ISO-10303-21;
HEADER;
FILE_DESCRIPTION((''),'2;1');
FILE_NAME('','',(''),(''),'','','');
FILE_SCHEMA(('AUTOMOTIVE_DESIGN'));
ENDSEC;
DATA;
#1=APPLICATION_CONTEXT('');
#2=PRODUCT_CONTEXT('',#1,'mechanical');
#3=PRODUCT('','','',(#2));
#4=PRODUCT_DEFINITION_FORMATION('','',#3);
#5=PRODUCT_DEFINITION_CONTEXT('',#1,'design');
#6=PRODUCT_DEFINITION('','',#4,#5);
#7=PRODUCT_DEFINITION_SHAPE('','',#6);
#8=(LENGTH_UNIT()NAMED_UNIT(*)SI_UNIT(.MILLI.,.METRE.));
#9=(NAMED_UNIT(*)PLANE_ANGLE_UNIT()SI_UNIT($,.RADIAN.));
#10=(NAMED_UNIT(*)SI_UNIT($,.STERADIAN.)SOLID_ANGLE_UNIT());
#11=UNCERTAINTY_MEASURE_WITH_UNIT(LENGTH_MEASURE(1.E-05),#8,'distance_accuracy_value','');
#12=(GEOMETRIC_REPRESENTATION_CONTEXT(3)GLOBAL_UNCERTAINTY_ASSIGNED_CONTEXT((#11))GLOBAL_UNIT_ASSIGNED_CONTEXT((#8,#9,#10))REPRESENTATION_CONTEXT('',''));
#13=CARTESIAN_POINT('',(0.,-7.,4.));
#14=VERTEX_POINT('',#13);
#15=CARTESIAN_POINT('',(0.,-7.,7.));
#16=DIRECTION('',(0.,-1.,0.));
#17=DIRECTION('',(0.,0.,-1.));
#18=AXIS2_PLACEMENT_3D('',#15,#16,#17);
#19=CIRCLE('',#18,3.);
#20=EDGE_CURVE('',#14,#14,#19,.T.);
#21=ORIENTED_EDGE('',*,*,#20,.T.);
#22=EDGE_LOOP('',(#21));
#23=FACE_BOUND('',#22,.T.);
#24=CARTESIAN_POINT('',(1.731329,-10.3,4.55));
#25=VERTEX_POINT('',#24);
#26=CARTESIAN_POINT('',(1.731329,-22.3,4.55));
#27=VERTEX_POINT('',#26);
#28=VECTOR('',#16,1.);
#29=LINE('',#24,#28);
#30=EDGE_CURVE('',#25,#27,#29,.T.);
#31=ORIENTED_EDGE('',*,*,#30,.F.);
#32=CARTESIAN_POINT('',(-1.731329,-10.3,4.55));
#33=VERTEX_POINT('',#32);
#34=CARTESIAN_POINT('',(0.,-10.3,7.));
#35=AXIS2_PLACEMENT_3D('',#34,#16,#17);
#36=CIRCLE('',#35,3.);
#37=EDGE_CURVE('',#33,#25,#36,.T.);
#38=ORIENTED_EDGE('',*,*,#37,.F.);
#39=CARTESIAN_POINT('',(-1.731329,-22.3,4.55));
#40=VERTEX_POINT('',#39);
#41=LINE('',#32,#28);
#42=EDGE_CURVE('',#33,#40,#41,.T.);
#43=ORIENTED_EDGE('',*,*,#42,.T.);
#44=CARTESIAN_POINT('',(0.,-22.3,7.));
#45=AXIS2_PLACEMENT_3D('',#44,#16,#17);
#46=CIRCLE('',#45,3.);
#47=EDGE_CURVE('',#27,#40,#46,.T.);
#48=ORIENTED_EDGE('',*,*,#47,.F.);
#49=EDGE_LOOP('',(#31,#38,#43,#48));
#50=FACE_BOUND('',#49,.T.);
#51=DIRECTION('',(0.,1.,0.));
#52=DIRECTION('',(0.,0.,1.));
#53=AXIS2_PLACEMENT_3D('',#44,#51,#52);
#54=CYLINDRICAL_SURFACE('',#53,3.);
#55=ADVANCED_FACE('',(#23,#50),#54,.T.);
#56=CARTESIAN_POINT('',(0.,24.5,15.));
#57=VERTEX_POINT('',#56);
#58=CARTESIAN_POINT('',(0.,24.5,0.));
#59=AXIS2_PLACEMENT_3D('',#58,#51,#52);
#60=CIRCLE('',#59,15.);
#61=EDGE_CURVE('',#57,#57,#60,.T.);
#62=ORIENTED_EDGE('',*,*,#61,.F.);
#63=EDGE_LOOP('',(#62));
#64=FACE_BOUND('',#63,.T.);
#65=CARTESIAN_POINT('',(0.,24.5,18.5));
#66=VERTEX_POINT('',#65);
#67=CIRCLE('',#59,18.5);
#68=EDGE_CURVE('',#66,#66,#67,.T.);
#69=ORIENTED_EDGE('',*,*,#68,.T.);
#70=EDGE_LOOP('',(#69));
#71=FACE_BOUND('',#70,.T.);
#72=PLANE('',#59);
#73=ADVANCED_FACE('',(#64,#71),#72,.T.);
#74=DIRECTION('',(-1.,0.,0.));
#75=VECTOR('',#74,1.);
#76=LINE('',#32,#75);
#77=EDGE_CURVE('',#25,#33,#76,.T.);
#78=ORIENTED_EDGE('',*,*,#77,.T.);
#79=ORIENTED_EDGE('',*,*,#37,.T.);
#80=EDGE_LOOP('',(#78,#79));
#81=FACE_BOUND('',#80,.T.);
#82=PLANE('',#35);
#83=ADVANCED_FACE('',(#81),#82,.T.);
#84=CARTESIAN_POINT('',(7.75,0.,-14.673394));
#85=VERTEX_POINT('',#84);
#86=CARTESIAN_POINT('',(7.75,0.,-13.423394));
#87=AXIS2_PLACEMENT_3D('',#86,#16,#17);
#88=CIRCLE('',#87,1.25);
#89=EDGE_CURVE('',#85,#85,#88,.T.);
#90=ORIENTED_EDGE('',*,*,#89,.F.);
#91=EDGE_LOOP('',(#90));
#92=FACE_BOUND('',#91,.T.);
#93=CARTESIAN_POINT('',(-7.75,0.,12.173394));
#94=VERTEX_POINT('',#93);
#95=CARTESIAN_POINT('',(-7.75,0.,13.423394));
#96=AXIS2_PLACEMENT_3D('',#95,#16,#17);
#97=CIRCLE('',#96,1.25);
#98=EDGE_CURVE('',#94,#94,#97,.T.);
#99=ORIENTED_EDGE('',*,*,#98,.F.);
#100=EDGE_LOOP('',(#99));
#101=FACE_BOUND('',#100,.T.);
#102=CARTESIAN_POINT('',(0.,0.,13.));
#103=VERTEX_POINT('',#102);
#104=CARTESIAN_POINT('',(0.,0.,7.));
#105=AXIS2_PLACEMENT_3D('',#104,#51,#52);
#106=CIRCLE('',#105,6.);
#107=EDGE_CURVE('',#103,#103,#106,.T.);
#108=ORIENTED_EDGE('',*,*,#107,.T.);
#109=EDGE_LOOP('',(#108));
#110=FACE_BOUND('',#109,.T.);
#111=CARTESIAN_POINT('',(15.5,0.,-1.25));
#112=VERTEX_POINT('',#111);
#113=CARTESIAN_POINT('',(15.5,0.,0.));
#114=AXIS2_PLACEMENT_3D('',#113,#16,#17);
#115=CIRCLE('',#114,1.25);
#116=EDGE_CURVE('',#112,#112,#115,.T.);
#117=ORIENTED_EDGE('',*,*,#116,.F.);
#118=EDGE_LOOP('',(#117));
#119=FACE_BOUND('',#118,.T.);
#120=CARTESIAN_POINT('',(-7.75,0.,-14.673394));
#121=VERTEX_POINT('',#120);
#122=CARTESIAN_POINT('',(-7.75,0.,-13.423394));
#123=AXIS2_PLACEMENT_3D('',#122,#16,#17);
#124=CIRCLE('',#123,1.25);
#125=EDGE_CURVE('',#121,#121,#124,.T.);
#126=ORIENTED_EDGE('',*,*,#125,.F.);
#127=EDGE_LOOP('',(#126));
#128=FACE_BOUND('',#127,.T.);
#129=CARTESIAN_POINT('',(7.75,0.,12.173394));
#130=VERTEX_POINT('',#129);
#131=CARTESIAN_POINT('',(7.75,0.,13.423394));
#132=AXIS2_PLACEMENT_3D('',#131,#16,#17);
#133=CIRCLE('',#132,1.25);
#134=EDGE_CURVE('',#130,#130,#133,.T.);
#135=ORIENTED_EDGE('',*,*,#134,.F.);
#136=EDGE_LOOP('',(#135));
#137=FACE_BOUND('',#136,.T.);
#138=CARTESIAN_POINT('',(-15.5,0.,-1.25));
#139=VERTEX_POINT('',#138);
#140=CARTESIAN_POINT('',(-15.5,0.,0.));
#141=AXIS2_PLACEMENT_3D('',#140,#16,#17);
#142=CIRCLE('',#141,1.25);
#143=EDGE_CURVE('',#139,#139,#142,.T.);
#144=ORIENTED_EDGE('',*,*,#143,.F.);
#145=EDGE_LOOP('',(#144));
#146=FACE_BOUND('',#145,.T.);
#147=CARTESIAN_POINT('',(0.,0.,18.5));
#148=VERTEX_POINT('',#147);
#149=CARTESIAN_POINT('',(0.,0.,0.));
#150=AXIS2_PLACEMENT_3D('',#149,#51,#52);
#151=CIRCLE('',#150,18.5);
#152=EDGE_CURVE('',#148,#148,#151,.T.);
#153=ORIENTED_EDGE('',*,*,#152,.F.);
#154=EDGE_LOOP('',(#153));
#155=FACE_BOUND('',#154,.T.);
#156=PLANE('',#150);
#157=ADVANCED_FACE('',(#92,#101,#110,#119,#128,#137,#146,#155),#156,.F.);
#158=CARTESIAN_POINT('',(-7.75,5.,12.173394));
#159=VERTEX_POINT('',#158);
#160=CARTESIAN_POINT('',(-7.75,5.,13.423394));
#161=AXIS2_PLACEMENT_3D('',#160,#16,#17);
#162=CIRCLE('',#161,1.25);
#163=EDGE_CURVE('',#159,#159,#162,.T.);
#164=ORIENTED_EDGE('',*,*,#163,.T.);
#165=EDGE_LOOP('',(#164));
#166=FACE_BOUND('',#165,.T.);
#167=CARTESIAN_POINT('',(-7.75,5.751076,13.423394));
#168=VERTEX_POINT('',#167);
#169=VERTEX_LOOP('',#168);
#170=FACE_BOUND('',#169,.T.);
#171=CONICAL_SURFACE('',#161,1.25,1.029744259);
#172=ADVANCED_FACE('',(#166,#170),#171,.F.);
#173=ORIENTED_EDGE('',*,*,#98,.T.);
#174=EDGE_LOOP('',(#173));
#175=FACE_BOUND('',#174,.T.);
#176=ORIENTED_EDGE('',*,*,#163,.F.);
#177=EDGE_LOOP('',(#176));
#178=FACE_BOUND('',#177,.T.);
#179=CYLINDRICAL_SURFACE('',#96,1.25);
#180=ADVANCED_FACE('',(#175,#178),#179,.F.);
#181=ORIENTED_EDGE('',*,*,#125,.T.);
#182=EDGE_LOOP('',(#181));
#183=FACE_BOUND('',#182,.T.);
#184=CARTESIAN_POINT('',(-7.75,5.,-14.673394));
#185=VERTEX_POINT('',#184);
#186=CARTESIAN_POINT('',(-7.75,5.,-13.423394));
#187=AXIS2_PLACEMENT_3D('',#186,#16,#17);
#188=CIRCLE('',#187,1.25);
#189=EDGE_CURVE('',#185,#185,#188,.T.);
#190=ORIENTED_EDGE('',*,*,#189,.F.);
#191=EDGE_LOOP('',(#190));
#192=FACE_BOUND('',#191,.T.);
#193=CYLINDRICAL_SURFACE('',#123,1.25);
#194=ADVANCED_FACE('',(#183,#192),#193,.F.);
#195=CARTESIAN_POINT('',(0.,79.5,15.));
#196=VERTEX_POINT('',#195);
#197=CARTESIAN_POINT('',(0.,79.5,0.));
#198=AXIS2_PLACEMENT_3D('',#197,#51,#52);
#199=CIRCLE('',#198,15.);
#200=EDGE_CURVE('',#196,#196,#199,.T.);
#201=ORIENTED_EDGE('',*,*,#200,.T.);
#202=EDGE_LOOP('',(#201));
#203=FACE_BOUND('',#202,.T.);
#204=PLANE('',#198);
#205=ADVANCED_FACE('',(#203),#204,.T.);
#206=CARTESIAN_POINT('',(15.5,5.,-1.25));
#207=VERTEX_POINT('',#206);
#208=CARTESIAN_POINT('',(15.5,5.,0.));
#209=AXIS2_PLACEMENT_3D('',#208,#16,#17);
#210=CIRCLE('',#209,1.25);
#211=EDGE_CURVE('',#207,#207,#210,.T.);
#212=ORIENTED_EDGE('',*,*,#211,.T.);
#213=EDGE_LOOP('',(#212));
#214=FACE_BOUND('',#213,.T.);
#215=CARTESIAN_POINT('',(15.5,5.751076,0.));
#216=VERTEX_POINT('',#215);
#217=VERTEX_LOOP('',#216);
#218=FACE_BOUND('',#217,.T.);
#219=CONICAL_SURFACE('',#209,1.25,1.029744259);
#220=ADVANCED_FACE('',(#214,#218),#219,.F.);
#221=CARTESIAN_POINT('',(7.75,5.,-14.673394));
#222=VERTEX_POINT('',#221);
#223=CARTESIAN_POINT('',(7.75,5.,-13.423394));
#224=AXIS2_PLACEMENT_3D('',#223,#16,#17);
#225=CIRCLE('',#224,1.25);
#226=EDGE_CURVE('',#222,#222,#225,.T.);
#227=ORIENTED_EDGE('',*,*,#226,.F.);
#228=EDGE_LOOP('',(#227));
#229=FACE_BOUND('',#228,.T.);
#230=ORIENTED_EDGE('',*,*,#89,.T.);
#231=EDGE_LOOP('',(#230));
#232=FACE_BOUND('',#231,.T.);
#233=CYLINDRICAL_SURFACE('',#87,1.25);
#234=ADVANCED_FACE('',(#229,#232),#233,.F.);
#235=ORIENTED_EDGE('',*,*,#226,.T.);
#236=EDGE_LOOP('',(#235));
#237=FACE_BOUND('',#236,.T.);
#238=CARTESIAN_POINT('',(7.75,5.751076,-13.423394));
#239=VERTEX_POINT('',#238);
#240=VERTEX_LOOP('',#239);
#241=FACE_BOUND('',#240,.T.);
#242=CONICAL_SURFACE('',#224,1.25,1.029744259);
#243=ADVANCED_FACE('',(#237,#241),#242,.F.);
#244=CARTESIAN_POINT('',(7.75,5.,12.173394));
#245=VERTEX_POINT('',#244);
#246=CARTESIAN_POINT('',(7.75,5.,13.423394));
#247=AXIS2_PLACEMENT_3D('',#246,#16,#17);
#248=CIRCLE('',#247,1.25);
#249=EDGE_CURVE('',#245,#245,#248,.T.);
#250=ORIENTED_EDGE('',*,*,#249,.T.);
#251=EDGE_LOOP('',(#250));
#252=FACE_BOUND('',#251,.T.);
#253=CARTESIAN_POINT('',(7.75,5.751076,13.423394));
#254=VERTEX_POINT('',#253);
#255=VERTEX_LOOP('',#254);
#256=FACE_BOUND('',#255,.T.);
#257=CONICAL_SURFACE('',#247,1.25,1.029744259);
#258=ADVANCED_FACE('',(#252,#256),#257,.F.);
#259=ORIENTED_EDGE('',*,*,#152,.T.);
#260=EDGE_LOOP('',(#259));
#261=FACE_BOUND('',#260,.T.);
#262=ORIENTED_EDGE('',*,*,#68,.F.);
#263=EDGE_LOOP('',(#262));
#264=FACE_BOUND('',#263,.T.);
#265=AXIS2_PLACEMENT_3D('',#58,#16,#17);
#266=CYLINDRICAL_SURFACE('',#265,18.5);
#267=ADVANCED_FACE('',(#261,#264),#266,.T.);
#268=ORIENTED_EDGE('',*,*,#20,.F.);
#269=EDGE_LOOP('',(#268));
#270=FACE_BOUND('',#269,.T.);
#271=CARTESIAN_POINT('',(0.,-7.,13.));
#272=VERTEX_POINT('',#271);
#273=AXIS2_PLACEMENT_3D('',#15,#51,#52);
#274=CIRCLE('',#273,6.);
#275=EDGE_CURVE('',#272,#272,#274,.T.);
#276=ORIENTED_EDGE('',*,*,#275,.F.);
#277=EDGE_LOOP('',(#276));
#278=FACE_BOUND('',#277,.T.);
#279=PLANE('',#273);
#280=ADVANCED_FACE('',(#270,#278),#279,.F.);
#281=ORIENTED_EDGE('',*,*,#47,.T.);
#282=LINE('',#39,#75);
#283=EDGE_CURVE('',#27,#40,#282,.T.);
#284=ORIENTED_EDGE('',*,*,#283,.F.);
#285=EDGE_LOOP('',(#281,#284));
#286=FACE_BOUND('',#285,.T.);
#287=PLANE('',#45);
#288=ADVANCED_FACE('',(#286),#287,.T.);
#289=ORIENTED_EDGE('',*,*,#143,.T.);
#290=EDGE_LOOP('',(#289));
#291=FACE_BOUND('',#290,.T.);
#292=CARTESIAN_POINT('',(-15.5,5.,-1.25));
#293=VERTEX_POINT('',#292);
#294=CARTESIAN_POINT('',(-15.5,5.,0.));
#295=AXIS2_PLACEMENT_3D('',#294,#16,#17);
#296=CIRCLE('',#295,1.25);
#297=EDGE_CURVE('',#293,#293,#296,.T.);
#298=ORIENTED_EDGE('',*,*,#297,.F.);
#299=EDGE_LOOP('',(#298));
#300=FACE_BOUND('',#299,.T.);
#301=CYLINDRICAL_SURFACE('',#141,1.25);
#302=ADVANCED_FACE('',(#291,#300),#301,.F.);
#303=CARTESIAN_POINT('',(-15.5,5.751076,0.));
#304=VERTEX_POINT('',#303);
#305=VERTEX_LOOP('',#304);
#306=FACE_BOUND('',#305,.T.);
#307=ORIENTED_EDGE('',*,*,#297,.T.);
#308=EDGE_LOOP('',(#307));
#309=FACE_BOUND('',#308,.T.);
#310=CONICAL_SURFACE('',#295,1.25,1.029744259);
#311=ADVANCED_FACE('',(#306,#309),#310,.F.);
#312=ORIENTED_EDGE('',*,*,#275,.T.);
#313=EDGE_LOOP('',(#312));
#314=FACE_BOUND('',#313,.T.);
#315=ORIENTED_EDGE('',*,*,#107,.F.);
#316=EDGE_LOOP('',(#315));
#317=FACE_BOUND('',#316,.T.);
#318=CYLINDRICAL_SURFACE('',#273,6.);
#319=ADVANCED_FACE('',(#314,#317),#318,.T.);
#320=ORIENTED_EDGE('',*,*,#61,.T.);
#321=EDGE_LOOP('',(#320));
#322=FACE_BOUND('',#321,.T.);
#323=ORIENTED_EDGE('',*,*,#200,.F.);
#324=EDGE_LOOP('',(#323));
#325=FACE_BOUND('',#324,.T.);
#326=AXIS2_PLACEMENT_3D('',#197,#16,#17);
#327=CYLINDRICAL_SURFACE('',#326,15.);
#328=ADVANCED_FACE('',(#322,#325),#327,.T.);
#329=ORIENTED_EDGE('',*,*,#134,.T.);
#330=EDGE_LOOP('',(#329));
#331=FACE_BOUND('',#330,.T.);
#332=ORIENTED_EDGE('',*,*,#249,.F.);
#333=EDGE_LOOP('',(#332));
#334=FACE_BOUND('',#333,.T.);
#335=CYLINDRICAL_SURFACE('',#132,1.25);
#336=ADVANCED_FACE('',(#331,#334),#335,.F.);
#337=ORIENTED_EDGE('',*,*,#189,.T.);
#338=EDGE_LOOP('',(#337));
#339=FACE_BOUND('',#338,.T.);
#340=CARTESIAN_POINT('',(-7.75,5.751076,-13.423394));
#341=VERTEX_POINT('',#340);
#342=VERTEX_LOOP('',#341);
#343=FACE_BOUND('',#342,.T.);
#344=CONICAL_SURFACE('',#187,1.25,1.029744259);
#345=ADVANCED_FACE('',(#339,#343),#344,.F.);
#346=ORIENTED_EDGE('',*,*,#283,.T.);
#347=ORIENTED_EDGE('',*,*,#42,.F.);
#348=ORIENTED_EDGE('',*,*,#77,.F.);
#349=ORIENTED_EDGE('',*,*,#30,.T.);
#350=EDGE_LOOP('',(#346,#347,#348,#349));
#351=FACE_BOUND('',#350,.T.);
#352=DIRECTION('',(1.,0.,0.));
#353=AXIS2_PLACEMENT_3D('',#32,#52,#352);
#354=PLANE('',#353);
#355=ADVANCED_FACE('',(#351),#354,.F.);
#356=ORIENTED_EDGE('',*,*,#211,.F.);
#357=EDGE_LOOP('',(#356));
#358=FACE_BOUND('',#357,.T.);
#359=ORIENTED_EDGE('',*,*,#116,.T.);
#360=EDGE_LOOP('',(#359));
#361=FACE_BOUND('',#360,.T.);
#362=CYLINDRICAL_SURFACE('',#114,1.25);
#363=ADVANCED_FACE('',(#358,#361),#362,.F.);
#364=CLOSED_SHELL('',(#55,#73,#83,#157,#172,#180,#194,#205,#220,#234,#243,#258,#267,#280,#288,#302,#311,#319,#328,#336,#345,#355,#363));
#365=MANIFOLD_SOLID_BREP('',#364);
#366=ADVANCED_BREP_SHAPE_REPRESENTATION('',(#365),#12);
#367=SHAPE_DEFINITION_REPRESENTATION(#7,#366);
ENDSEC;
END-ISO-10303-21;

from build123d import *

# Parameters (mm, degrees)
ESQUISSE1_R                  = 18.5
BOSS_EXTRU_1_DEPTH           = 24.5
ESQUISSE2_R                  = 15
BOSS_EXTRU_2_DEPTH           = 55
ESQUISSE3_R                  = 6
BOSS_EXTRU_3_DEPTH           = 7
ESQUISSE4_R                  = 3
BOSS_EXTRU_4_DEPTH           = 15.3
ENL_V_START                  = -12
ENL_V_MAT_EXTRU_1_DEPTH      = 12
R_P_TITION_CIRCULAIRE1_COUNT = 6


with BuildPart() as part:
    # Esquisse1 → Boss.-Extru.1 (new body)
    with BuildSketch(Plane(origin=(0, 0, 0), x_dir=(1, 0, 0), z_dir=(0, 1, 0))):
        with Locations(Location((0, 0, 0), (0, 0, 270))):
            Circle(ESQUISSE1_R)
    extrude(amount=BOSS_EXTRU_1_DEPTH)

    # Esquisse2 → Boss.-Extru.2 (add)
    with BuildSketch(Plane(origin=(0, 24.5, 0), x_dir=(1, 0, 0), z_dir=(0, 1, 0))):
        with Locations(Location((0, 0, 0), (0, 0, 270))):
            Circle(ESQUISSE2_R)
    extrude(amount=BOSS_EXTRU_2_DEPTH)

    # Esquisse3 → Boss.-Extru.3 (add)
    with BuildSketch(Plane(origin=(0, 0, 0), x_dir=(1, 0, 0), z_dir=(0, 1, 0))):
        with Locations(Location((0, -7, 0), (0, 0, 270))):
            Circle(ESQUISSE3_R)
    extrude(amount=-BOSS_EXTRU_3_DEPTH)

    # Esquisse4 → Boss.-Extru.4 (add)
    with BuildSketch(Plane.XZ.offset(7)):
        with Locations(Location((0, 7, 0), (0, 0, 270))):
            Circle(ESQUISSE4_R)
    extrude(amount=BOSS_EXTRU_4_DEPTH)

    # Esquisse5 → Enlèv. mat.-Extru.1 (cut)
    with BuildSketch(Plane.XZ.offset(22.3).offset(ENL_V_START)):
        with BuildLine():
            Line((-1.731328969, 4.55), (1.731328969, 4.55))
            ThreePointArc((1.731328969, 4.55), (0, 4), (-1.731328969, 4.55))
        make_face()
    extrude(amount=ENL_V_MAT_EXTRU_1_DEPTH, mode=Mode.SUBTRACT)

    # Esquisse7 → Trou taraudé M31 (revolve, cut)
    with BuildSketch(Plane(origin=(15.5, 0, 0), x_dir=(0, 0, -1), z_dir=(1, 0, 0))):
        Polygon((0, 0), (0, 5.751075774), (1.25, 5), (1.25, 0), align=None)
    trou_taraud_m31 = revolve(axis=Axis((15.5, -6.35, 0), (0, 1, 0)), mode=Mode.SUBTRACT)

    # Répétition circulaire1: Trou taraudé M31 ×6 about axis
    r_p_tition_circulaire1_axis = Axis((0, 0, 0), (0, 1, 0))
    for i in range(1, R_P_TITION_CIRCULAIRE1_COUNT):
        add(trou_taraud_m31.rotate(r_p_tition_circulaire1_axis, i * 360 / R_P_TITION_CIRCULAIRE1_COUNT), mode=Mode.SUBTRACT)


solid = part.part
